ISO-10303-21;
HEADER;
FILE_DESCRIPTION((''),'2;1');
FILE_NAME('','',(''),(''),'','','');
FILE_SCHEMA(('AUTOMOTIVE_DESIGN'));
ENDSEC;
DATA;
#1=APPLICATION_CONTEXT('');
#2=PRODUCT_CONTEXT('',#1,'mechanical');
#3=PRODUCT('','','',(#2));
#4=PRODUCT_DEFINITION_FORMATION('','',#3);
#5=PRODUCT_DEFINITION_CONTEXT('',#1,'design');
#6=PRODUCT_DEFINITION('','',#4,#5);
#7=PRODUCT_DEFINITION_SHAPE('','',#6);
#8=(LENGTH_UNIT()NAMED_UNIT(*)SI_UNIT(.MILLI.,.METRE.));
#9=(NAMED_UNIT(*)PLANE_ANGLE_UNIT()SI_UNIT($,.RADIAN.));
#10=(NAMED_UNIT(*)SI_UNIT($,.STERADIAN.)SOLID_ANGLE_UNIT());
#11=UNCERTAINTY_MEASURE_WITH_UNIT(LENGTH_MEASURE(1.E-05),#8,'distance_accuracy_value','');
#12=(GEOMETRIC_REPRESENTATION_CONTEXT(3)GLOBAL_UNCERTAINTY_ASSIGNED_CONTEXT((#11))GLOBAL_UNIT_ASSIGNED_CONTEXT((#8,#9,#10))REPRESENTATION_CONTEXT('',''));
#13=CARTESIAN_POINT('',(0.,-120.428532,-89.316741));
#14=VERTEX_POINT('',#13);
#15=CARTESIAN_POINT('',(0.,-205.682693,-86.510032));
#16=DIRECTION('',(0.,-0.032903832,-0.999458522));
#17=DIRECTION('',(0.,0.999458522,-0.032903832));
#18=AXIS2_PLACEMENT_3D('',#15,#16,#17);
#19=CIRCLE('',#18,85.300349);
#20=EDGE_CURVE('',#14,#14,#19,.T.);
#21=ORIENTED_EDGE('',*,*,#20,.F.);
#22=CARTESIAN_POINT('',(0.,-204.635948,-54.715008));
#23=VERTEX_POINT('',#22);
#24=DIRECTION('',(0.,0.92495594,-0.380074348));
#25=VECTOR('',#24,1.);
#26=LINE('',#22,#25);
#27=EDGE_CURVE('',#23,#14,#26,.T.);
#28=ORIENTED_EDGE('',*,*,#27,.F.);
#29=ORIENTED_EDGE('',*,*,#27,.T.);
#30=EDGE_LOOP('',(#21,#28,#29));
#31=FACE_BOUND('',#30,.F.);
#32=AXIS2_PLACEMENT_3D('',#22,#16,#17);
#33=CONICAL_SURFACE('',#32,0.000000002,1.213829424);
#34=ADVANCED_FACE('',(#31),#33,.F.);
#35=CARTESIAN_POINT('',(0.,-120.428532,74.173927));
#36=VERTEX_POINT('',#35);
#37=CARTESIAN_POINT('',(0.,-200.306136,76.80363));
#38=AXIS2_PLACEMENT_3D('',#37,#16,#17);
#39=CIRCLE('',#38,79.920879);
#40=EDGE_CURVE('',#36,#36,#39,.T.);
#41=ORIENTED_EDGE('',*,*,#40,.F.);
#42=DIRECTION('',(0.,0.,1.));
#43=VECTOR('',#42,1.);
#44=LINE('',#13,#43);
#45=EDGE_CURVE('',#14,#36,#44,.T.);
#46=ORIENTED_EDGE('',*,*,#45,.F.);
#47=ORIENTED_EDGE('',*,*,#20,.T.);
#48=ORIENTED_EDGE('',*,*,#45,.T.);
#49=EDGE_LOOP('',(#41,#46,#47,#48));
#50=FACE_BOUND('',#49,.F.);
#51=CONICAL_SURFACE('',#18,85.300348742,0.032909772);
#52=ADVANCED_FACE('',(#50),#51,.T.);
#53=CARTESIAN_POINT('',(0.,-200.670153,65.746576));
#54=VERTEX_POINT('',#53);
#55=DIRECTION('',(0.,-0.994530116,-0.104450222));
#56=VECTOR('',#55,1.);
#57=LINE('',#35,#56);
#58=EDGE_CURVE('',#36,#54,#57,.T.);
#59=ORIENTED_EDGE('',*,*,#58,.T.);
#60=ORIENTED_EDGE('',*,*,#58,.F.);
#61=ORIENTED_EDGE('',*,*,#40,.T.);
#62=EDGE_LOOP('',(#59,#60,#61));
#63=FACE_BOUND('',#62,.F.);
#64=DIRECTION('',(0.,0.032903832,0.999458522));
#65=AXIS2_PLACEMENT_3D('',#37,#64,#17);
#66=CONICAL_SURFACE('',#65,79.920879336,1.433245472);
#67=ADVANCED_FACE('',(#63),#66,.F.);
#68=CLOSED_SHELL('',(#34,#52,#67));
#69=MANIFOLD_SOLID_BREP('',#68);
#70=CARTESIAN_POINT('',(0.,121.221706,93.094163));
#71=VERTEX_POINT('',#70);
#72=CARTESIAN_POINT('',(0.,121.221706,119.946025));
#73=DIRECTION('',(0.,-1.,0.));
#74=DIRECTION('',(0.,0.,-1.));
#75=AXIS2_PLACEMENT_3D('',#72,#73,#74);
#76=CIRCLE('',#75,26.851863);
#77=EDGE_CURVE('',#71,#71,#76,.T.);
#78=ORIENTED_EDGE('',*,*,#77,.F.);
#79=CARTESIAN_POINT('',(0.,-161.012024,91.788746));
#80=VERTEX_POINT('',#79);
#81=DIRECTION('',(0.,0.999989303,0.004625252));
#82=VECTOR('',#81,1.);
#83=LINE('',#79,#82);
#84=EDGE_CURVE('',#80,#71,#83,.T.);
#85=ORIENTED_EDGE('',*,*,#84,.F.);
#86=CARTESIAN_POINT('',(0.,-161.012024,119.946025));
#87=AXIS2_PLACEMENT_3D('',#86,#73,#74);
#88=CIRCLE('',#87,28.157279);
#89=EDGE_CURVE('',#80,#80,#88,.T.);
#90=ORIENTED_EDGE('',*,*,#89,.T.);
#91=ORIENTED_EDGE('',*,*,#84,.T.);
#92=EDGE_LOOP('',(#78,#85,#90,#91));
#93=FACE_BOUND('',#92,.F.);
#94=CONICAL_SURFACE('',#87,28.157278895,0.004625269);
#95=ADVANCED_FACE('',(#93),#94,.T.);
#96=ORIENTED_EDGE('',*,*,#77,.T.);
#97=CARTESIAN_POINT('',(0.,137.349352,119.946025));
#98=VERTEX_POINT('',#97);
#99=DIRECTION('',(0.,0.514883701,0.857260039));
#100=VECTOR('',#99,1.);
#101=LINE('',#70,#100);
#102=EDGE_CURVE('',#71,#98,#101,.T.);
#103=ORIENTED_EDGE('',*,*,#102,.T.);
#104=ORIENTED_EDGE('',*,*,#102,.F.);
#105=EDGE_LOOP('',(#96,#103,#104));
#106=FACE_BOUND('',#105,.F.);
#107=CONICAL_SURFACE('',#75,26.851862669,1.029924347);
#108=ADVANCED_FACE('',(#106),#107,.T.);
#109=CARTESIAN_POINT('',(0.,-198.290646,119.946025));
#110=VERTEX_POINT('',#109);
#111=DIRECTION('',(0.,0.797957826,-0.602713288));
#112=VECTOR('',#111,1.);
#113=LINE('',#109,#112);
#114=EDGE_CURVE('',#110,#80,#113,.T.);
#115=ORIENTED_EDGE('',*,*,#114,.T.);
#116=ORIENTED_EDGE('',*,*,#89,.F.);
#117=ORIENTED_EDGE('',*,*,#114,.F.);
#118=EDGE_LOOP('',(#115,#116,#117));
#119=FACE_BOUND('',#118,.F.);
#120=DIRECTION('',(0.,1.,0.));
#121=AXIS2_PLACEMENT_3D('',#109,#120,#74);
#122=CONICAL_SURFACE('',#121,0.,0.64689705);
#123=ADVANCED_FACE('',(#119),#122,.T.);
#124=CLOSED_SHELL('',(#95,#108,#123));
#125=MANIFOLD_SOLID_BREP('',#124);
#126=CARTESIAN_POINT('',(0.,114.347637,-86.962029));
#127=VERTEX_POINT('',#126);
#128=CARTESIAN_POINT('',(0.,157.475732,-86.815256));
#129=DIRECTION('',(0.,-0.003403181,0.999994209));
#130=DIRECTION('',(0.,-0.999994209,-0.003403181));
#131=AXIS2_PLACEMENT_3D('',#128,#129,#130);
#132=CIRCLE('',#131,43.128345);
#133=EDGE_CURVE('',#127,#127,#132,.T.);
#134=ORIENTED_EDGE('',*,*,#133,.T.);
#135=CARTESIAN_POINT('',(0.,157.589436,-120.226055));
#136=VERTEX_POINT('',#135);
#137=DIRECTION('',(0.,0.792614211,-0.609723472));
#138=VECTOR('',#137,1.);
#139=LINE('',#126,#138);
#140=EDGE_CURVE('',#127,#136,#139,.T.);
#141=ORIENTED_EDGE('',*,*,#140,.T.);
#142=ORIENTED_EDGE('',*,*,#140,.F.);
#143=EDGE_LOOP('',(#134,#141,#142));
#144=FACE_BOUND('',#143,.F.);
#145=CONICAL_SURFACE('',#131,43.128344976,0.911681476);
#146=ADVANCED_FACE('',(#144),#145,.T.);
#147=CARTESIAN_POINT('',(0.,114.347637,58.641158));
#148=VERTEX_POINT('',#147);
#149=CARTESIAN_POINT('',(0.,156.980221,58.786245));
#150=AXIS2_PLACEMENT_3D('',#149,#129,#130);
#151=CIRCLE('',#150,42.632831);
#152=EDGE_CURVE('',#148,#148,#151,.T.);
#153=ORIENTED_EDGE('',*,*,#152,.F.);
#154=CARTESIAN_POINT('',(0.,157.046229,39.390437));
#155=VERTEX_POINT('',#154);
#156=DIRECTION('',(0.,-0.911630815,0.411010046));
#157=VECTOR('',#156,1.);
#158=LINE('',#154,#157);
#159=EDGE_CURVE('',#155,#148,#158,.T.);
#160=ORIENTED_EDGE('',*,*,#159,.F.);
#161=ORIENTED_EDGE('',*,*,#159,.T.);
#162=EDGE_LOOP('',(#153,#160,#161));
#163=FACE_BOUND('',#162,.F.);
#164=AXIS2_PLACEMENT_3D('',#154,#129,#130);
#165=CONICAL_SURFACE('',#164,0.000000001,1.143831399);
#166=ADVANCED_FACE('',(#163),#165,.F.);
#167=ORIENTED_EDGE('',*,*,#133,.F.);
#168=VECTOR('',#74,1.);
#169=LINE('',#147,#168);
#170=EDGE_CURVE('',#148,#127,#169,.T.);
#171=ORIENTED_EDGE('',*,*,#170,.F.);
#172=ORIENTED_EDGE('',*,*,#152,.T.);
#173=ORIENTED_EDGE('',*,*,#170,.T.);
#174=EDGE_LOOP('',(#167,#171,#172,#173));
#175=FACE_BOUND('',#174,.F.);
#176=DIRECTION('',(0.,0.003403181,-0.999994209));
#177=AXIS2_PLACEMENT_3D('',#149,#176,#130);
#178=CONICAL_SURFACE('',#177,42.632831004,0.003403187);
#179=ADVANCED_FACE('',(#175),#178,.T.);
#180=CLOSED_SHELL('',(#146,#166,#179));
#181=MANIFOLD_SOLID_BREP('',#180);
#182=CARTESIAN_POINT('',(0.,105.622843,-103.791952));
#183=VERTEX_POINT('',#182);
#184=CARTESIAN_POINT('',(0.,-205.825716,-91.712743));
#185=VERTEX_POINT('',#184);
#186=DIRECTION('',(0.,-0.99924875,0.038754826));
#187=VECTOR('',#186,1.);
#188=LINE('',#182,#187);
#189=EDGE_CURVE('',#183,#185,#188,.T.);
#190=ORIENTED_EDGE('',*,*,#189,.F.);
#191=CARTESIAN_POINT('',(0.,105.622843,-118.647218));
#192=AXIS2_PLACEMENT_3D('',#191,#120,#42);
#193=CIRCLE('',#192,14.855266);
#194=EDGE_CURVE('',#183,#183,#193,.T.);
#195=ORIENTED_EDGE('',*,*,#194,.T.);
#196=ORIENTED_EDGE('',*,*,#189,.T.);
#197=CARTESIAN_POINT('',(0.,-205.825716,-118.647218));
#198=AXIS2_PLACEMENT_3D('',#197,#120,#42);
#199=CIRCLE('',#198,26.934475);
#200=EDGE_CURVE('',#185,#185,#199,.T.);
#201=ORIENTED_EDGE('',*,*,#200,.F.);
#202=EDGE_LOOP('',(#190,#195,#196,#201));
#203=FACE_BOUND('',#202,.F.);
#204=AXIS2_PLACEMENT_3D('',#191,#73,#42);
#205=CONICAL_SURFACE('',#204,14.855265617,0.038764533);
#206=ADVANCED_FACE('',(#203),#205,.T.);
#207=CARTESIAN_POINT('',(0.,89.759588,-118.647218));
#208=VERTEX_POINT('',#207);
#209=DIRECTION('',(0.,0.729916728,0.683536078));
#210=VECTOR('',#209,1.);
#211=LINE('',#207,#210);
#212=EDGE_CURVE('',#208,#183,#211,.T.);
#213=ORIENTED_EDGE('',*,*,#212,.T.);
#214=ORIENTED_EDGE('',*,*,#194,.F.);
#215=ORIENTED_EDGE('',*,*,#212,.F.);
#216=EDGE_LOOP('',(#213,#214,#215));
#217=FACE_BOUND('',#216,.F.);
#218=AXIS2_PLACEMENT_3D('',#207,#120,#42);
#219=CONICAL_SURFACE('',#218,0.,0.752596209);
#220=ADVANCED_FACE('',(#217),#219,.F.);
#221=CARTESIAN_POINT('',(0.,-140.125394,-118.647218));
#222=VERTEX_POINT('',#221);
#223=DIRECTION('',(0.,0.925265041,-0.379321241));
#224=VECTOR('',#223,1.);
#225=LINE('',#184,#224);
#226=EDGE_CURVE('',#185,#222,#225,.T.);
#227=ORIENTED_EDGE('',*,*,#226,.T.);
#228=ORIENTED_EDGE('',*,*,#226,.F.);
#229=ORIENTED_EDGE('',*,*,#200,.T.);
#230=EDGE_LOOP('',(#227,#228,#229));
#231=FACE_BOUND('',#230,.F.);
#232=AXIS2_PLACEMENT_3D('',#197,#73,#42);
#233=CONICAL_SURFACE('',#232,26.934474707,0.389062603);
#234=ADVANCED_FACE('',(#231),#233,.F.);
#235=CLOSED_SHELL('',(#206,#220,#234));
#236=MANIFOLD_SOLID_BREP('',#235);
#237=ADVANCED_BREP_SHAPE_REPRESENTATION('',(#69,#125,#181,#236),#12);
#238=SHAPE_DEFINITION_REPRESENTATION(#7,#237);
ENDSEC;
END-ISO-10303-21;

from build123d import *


with BuildPart() as f1:
    # F0 (on Right) → F1 (revolve)
    with BuildSketch(Plane.YZ):
        Polygon((-161.0120236874, 91.7887464166), (121.2217062712, 93.094162643), (137.3493522406, 119.9460253119), (-198.2906460762, 119.9460253119), align=None)
    revolve(axis=Axis((0, -30.4706469178, 119.9460253119), (0, -1, 0)))


with BuildPart() as f2:
    # F0 (on Right) → F2 (revolve)
    with BuildSketch(Plane.YZ):
        Polygon((-120.428532362, -89.3167406321), (-120.428532362, 74.1739273071), (-200.6701529026, 65.7465755939), (-204.6359479427, -54.7150075436), align=None)
    revolve(axis=Axis((0, -202.6530504227, 5.5157840252), (0, -0.0329038316, -0.9994585223)))


with BuildPart() as f3:
    # F0 (on Right) → F3 (revolve)
    with BuildSketch(Plane.YZ):
        Polygon((89.7595882416, -118.6472177505), (105.6228429079, -103.7919521332), (-205.8257162571, -91.7127430439), (-140.1253938675, -118.6472177505), align=None)
    revolve(axis=Axis((0, -25.182902813, -118.6472177505), (0, 1, 0)))


with BuildPart() as f4:
    # F0 (on Right) → F4 (revolve)
    with BuildSketch(Plane.YZ):
        Polygon((157.5894355774, -120.2260553837), (157.0462286472, 39.390437305), (114.3476366997, 58.6411580443), (114.3476366997, -86.9620293379), align=None)
    revolve(axis=Axis((0, 157.3178321123, -40.4178090394), (0, -0.0034031808, 0.9999942092)))


solid = Compound([f1.part, f2.part, f3.part, f4.part])
